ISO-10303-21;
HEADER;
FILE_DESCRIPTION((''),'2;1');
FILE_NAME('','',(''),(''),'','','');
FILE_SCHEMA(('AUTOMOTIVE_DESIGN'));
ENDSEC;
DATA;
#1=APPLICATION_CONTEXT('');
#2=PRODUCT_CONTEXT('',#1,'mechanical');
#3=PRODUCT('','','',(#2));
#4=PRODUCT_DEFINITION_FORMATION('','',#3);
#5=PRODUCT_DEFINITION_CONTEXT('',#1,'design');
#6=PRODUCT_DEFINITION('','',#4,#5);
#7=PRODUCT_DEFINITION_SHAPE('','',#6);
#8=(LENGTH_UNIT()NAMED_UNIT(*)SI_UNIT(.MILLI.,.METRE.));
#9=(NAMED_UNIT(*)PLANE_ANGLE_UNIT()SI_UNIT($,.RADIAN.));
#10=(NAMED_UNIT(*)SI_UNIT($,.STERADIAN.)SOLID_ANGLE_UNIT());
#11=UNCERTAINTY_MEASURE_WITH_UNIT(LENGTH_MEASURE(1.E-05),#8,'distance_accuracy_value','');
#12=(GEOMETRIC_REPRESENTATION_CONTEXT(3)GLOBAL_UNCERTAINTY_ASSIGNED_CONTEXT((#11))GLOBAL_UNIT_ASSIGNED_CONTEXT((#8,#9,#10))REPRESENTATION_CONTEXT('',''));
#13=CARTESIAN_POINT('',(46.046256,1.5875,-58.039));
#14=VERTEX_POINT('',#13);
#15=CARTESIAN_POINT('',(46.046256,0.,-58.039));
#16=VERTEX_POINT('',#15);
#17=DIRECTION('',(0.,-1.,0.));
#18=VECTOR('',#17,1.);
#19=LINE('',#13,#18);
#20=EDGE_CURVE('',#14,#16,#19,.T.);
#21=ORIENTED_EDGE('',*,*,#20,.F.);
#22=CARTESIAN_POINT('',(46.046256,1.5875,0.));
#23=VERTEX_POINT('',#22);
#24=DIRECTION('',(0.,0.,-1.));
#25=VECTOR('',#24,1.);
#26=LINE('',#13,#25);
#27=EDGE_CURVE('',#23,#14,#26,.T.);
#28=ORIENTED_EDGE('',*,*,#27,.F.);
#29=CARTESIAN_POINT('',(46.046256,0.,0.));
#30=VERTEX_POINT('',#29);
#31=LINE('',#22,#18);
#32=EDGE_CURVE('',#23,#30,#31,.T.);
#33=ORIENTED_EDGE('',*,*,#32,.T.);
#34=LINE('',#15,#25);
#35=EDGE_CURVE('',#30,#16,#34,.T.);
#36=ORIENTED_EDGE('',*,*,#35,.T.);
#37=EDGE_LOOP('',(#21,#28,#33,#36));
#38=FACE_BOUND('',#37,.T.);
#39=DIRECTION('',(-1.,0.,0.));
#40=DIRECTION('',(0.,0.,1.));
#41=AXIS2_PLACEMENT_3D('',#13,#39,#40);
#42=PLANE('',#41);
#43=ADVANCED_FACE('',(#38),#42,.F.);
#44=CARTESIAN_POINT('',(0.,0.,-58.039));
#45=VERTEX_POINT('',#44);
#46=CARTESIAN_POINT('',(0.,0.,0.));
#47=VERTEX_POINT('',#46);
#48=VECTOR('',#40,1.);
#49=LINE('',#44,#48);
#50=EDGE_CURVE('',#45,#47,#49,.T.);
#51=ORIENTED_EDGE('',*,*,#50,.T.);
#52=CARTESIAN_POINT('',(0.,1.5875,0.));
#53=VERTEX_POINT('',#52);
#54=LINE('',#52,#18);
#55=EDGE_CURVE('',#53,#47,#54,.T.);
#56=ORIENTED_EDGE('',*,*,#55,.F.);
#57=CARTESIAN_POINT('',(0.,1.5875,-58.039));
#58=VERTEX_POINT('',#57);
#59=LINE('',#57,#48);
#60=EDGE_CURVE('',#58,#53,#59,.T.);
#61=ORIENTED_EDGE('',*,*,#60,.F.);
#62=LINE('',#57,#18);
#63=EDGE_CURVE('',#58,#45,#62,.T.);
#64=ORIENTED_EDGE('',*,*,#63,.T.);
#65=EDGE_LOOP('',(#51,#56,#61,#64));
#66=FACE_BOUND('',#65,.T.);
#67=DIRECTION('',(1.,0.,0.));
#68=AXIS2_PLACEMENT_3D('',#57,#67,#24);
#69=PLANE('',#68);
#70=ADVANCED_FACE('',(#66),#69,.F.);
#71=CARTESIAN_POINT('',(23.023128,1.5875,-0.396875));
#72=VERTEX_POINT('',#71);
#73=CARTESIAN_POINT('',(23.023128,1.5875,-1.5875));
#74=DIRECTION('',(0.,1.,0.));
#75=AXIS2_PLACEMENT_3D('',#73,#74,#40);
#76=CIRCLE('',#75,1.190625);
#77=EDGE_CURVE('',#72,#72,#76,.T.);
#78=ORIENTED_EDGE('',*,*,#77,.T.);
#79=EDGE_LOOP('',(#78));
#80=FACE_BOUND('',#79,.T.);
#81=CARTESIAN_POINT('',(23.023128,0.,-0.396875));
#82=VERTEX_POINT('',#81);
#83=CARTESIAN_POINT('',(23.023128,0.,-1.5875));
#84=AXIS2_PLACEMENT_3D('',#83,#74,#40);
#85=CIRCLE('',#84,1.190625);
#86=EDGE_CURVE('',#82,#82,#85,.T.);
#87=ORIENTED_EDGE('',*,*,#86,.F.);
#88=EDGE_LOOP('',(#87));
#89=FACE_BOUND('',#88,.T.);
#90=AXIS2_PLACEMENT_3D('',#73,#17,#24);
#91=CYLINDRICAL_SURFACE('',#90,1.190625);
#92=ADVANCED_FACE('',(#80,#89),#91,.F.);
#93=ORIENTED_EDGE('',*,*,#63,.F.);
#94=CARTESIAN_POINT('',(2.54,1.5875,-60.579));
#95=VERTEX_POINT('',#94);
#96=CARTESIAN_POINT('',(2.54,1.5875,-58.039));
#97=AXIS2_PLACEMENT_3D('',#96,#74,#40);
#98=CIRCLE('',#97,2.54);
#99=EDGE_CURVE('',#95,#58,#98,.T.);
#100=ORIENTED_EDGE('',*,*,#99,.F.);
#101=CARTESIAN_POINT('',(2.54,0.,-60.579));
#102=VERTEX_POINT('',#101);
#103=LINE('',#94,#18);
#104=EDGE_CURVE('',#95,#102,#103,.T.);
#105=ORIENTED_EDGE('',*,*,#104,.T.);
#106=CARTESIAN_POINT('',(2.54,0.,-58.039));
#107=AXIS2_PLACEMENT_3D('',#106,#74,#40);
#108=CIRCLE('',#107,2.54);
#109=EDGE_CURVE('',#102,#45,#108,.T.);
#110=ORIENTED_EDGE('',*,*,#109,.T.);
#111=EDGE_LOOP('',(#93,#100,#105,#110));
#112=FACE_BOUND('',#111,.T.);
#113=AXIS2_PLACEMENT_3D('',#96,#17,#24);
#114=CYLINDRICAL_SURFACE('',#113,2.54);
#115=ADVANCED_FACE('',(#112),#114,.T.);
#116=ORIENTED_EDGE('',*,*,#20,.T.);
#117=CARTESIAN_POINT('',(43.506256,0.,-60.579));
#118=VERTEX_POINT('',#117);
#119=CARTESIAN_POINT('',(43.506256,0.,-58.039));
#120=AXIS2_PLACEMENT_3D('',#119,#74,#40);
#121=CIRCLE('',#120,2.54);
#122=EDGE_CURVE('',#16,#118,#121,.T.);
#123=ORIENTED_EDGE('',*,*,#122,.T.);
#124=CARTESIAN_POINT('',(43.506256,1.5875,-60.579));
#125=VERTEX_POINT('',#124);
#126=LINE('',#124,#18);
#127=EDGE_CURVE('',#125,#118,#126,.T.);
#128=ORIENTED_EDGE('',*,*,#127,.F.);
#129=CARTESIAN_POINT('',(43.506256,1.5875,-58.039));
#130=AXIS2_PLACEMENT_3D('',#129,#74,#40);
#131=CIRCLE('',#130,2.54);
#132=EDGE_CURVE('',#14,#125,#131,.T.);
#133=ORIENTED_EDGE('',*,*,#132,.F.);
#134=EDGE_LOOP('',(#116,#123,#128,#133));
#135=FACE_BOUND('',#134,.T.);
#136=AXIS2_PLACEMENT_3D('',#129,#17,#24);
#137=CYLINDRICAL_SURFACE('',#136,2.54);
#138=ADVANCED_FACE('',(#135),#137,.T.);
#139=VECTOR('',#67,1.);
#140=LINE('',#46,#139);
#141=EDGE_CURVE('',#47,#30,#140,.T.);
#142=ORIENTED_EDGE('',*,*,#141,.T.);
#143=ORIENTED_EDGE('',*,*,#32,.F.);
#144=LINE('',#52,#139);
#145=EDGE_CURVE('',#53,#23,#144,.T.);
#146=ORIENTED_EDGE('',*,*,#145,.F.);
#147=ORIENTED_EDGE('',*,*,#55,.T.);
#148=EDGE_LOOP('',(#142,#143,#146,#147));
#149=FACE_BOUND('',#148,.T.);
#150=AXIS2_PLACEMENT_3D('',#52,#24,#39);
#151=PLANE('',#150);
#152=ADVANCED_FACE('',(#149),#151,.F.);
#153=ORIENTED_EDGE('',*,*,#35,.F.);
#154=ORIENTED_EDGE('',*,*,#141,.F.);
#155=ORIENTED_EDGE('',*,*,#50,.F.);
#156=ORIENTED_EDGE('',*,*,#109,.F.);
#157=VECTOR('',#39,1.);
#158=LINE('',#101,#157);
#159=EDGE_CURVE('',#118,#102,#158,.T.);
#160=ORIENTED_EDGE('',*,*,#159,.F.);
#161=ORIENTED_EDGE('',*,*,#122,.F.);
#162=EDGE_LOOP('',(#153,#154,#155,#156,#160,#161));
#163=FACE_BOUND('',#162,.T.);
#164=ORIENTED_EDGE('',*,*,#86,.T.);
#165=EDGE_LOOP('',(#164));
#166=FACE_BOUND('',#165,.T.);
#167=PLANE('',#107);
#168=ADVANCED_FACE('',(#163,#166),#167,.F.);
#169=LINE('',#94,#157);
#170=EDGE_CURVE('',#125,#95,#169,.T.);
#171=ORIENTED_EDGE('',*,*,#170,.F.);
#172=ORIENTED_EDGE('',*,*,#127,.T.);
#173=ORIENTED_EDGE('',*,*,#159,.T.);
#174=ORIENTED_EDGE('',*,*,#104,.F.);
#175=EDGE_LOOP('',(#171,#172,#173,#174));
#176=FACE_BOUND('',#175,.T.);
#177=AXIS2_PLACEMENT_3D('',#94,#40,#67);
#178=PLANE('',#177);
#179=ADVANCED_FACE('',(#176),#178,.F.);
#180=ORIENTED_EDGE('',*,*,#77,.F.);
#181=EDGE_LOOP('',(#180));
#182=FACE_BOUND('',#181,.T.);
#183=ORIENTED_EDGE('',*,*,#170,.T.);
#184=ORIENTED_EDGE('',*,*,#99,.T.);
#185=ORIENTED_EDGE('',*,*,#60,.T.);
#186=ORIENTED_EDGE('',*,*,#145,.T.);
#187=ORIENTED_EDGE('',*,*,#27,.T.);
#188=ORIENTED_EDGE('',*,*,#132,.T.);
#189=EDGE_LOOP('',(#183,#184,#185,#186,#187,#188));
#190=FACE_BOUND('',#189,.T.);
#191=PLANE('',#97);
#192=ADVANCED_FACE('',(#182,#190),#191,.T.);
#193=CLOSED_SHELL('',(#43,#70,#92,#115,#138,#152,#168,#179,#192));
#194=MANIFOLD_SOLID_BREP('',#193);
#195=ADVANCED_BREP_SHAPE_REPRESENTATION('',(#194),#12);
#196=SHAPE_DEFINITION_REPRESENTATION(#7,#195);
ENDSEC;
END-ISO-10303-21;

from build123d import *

# Parameters (mm, degrees)
SKETCH1_R           = 1.190625
BOSS_EXTRUDE1_DEPTH = 1.5875


with BuildPart() as part:
    # Sketch1 → Boss-Extrude1 (new body)
    with BuildSketch(Plane(origin=(0, 0, 0), x_dir=(1, 0, 0), z_dir=(0, 1, 0))):
        with BuildLine():
            Line((2.54, 60.579), (43.50625616, 60.579))
            ThreePointArc((43.50625616, 60.579), (45.302307384, 59.835051224), (46.04625616, 58.039))
            Line((46.04625616, 58.039), (46.04625616, 0))
            Line((46.04625616, 0), (0, 0))
            Line((0, 0), (0, 58.039))
            ThreePointArc((0, 58.039), (0.743948776, 59.835051224), (2.54, 60.579))
        make_face()
        with Locations((23.02312808, 1.5875)):
            Circle(SKETCH1_R, mode=Mode.SUBTRACT)
    extrude(amount=BOSS_EXTRUDE1_DEPTH)


solid = part.part
